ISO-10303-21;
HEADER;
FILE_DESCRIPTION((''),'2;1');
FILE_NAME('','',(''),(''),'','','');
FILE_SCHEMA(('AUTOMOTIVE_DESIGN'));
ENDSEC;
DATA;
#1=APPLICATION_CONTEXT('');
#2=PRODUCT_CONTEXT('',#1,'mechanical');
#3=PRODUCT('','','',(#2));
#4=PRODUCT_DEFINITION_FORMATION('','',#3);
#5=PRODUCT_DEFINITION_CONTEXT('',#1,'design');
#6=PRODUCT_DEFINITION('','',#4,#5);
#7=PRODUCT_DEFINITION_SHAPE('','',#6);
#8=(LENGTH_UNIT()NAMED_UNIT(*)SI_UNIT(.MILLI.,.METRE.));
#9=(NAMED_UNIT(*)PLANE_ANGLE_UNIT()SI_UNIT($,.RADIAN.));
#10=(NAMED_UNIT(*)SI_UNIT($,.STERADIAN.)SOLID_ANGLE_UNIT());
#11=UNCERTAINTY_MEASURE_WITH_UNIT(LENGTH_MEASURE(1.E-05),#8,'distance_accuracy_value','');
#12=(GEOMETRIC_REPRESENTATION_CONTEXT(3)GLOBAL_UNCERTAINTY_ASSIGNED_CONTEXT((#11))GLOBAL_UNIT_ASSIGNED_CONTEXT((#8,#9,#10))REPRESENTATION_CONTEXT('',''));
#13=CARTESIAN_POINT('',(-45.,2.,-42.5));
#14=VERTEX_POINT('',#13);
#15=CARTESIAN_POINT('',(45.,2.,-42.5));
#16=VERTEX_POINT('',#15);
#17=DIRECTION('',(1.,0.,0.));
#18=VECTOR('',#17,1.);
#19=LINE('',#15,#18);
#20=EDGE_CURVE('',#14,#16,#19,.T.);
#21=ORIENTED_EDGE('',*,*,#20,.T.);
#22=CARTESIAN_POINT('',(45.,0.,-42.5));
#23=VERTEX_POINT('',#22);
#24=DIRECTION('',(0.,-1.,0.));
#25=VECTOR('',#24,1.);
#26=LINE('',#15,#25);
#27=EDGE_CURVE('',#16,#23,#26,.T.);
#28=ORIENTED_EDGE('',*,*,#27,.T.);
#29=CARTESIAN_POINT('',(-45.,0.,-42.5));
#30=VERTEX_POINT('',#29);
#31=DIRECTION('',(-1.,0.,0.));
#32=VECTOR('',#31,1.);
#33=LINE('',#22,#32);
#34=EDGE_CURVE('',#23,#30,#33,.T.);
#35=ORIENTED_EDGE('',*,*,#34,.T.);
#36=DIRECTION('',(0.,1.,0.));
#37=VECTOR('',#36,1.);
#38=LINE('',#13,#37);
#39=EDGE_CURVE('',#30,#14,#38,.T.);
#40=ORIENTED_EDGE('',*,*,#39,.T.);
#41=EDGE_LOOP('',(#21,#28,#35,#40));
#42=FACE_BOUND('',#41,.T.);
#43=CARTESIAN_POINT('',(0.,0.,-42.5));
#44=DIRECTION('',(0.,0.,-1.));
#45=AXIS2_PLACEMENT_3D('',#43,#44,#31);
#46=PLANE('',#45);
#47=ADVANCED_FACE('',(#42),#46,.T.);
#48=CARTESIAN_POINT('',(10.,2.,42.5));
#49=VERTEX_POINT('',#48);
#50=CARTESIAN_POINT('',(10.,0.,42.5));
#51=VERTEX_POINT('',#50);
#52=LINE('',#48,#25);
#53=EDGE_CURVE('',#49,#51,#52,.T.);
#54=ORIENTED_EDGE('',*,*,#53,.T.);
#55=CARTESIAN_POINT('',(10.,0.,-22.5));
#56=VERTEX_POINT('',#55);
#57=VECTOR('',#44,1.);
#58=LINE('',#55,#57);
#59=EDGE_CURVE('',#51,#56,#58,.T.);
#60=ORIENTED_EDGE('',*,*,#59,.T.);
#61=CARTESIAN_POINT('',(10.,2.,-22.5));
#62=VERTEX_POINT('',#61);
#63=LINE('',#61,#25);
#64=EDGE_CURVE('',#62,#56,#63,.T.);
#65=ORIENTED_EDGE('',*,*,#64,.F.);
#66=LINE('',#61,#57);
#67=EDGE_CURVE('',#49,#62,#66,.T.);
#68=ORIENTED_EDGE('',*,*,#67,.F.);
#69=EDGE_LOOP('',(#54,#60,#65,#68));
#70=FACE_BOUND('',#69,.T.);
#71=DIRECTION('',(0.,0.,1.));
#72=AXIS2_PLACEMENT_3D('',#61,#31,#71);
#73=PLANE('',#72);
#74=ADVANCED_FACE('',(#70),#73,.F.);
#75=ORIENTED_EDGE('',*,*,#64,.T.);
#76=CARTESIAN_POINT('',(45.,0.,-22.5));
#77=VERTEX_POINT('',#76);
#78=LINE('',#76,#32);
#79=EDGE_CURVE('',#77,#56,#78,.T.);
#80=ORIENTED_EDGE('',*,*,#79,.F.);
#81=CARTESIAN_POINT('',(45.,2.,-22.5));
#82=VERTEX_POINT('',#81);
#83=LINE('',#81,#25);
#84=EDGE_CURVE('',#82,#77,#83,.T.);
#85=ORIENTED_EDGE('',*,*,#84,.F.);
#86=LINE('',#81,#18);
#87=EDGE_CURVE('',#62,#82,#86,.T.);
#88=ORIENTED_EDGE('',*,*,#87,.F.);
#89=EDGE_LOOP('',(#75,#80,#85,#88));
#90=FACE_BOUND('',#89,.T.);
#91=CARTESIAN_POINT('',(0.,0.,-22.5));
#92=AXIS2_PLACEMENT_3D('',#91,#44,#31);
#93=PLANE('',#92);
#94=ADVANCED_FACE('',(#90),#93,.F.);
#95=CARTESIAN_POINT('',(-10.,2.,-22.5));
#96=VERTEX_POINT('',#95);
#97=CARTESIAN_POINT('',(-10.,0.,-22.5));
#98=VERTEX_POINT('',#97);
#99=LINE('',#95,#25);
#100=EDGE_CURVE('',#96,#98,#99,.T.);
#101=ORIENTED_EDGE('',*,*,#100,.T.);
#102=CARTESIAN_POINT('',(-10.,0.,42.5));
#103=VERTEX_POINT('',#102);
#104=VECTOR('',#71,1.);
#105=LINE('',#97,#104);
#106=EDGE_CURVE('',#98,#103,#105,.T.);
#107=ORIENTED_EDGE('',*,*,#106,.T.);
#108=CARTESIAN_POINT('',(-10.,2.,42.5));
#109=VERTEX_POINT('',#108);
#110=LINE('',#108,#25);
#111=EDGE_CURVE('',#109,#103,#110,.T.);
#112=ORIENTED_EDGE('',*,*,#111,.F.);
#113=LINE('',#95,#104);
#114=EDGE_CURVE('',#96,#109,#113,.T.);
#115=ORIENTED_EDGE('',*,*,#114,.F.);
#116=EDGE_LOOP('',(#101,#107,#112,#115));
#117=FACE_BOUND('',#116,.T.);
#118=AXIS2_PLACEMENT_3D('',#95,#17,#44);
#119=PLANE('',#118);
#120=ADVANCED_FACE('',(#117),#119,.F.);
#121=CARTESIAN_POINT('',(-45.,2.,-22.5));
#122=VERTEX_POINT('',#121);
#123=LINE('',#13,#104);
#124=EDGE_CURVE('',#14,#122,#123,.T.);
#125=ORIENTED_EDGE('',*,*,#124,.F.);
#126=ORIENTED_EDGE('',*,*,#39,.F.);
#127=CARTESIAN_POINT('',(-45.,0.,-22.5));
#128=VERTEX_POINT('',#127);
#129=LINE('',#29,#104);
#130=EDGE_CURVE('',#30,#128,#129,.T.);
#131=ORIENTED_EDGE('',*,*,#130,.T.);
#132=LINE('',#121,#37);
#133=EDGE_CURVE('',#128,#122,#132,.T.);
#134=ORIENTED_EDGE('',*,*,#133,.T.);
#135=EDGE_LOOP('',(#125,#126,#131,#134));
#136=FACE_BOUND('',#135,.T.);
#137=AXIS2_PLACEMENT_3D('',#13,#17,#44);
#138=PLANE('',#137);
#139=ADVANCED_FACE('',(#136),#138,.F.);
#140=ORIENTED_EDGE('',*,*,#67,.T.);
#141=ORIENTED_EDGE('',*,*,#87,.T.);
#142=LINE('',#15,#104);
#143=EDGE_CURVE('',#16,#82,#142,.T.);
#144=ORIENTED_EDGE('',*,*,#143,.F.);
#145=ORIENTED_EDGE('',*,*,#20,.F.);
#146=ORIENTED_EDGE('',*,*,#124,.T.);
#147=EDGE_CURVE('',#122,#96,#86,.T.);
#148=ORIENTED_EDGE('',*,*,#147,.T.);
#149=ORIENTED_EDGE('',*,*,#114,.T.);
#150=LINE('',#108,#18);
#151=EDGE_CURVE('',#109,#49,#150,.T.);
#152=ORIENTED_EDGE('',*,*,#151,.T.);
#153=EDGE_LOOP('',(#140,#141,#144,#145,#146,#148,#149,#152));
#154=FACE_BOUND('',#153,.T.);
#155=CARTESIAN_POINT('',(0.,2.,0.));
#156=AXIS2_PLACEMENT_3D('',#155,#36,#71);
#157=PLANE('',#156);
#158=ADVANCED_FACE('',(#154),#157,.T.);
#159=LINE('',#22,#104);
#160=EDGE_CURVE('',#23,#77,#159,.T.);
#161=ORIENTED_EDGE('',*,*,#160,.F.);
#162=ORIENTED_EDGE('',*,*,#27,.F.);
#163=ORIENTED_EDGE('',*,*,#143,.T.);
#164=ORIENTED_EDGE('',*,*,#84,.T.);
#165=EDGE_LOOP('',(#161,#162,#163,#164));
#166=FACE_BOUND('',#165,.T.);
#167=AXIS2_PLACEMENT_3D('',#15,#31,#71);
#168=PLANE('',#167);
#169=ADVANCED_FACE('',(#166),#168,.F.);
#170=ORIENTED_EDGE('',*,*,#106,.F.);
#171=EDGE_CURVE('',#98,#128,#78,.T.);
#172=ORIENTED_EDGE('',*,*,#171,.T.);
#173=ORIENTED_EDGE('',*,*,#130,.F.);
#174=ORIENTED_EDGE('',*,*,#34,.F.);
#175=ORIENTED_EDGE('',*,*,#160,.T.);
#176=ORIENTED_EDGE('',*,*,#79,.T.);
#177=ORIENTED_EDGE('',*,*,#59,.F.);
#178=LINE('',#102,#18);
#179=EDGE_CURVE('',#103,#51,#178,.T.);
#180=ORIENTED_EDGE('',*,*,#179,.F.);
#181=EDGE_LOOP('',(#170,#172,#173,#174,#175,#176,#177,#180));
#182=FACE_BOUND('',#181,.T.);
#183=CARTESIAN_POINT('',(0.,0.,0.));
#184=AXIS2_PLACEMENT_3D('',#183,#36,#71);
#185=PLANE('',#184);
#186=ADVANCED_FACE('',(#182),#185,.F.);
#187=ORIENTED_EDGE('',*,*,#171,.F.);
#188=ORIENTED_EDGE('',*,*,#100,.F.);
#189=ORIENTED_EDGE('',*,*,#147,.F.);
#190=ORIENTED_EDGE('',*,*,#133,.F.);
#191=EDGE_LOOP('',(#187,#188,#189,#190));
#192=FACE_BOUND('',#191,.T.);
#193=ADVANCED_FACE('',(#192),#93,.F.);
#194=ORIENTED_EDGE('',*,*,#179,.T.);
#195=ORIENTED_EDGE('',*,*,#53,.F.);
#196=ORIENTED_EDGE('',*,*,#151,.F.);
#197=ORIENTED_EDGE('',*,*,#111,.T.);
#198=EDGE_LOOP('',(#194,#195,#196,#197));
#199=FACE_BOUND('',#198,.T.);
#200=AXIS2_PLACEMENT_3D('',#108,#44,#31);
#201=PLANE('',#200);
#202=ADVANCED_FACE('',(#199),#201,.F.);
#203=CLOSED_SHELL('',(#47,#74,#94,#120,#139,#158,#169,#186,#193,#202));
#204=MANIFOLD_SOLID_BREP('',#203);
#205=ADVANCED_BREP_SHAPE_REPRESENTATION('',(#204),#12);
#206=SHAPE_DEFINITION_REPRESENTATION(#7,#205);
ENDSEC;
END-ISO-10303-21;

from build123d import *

# Parameters (mm, degrees)
ESQUISSE1_W        = 20
ESQUISSE1_H        = 65
BOSS_EXTRU_1_DEPTH = 2
ESQUISSE2_W        = 90
ESQUISSE2_H        = 2
BOSS_EXTRU_2_DEPTH = 20


with BuildPart() as part:
    # Esquisse1 → Boss.-Extru.1 (new body)
    with BuildSketch(Plane(origin=(0, 0, 0), x_dir=(1, 0, 0), z_dir=(0, 1, 0))):
        with Locations((0, -10)):
            Rectangle(ESQUISSE1_W, ESQUISSE1_H)
    extrude(amount=BOSS_EXTRU_1_DEPTH)

    # Esquisse2 → Boss.-Extru.2 (add)
    with BuildSketch(Plane(origin=(0, 0, -22.5), x_dir=(-1, 0, 0), z_dir=(0, 0, -1))):
        with Locations((0, 1)):
            Rectangle(ESQUISSE2_W, ESQUISSE2_H)
    extrude(amount=BOSS_EXTRU_2_DEPTH)


solid = part.part
